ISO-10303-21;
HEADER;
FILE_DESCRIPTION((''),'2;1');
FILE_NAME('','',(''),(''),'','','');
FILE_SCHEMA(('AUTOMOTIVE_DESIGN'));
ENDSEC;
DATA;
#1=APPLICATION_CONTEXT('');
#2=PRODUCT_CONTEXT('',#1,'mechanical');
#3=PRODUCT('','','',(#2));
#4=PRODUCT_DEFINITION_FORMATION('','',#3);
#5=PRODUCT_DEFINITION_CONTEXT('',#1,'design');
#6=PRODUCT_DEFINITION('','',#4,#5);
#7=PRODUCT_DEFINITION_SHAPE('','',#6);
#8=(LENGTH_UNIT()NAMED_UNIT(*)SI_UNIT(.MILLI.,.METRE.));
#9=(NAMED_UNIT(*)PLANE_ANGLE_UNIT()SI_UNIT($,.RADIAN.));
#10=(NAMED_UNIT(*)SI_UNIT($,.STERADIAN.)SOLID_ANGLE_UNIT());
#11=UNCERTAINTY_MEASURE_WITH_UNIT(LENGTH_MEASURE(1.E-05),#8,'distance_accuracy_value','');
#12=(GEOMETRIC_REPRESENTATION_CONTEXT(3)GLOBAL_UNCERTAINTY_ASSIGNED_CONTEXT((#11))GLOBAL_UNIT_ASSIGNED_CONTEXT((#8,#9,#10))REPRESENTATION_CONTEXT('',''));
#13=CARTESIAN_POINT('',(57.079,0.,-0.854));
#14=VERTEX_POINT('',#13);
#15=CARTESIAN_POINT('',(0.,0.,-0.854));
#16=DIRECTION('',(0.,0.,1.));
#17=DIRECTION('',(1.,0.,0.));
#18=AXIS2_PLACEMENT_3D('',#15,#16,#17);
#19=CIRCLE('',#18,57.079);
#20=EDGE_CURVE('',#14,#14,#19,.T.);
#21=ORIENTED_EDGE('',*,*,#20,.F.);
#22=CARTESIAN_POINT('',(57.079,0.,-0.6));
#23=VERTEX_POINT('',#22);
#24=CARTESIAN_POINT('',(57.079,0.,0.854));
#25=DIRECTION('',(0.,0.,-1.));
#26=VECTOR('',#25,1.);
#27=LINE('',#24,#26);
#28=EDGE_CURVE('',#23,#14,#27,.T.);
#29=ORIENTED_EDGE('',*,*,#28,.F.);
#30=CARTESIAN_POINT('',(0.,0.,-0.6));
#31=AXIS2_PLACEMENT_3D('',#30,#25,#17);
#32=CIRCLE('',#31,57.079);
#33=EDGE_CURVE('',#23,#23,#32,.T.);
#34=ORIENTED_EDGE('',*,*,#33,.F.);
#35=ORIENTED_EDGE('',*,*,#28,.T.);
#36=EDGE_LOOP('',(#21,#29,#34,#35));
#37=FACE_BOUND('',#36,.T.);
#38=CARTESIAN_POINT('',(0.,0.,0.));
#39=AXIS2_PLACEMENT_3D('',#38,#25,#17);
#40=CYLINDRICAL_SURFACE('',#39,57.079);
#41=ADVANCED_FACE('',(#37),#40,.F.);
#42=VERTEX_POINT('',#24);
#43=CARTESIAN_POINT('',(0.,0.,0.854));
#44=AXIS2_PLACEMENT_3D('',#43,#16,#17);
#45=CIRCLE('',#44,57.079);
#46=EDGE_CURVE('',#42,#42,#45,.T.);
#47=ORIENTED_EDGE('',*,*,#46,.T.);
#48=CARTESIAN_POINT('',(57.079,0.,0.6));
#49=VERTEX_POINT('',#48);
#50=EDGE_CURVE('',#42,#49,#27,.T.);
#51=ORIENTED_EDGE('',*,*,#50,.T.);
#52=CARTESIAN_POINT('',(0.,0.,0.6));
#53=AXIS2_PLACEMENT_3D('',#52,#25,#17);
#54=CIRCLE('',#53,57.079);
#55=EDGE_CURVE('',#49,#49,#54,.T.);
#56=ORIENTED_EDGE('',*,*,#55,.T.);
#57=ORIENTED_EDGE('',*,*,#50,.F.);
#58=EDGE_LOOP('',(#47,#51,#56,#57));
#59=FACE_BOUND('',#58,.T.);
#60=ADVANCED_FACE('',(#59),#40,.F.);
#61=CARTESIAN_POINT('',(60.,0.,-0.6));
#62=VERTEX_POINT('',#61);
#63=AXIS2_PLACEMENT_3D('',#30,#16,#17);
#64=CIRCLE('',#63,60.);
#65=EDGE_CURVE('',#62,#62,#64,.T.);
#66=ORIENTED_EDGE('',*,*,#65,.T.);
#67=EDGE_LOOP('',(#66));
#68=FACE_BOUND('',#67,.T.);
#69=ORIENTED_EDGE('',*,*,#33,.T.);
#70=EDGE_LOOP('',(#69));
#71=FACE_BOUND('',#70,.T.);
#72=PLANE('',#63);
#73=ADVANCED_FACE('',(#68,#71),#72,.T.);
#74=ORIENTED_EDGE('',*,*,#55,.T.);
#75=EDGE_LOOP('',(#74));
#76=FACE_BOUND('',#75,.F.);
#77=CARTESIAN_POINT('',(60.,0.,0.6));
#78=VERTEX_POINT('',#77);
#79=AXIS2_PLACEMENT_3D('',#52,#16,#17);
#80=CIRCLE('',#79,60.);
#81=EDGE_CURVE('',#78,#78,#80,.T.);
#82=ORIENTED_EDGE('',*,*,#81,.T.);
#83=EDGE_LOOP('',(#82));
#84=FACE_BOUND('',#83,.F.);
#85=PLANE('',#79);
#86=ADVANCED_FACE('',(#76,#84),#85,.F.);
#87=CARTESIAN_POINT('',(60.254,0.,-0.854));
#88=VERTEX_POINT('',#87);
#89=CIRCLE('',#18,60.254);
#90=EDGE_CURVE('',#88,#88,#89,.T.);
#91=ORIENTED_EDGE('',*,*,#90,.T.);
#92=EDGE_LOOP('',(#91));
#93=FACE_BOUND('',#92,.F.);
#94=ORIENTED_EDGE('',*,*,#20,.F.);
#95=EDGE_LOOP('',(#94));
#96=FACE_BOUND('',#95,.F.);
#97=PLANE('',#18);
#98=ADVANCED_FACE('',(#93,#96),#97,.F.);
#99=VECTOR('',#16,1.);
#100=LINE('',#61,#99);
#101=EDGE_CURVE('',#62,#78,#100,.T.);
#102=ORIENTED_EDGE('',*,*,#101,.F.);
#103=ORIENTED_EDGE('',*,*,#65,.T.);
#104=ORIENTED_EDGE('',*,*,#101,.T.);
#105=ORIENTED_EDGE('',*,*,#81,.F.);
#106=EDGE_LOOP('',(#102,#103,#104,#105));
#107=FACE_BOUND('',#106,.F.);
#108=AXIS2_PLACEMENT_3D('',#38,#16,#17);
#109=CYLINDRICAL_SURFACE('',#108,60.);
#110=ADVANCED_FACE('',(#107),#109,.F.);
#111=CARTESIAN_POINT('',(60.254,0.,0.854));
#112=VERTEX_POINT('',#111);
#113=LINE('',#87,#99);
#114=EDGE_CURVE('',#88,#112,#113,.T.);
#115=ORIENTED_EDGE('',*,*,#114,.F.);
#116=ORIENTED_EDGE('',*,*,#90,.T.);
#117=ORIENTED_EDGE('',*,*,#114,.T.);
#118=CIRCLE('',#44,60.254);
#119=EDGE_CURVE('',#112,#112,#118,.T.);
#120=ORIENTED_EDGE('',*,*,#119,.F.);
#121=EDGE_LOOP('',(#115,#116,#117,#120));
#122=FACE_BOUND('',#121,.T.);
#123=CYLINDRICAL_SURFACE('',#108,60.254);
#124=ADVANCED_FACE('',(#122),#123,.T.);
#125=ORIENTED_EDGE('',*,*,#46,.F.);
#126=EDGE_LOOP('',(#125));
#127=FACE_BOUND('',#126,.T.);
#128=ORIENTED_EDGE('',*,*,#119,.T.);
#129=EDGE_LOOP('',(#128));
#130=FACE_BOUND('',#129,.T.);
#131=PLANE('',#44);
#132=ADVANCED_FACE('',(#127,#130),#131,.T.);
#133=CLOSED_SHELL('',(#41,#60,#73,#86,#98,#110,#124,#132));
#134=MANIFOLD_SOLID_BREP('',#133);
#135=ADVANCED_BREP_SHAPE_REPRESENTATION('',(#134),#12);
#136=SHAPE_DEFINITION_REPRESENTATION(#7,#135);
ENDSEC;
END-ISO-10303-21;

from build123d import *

# Parameters (mm, degrees)
F0_R     = 60.254
F0_R_2   = 57.079
F1_DEPTH = 0.854
F2_R     = 60
F3_DEPTH = 0.6


with BuildPart() as f1:
    # F0 (on Top) → F1 (new body, symmetric)
    with BuildSketch(Plane.XY):
        Circle(F0_R)
        Circle(F0_R_2, mode=Mode.SUBTRACT)
    extrude(amount=F1_DEPTH, both=True)

    # F2 (on Top) → F3 (cut, symmetric)
    with BuildSketch(Plane.XY):
        Circle(F2_R)
    extrude(amount=F3_DEPTH, both=True, mode=Mode.SUBTRACT)


solid = f1.part
